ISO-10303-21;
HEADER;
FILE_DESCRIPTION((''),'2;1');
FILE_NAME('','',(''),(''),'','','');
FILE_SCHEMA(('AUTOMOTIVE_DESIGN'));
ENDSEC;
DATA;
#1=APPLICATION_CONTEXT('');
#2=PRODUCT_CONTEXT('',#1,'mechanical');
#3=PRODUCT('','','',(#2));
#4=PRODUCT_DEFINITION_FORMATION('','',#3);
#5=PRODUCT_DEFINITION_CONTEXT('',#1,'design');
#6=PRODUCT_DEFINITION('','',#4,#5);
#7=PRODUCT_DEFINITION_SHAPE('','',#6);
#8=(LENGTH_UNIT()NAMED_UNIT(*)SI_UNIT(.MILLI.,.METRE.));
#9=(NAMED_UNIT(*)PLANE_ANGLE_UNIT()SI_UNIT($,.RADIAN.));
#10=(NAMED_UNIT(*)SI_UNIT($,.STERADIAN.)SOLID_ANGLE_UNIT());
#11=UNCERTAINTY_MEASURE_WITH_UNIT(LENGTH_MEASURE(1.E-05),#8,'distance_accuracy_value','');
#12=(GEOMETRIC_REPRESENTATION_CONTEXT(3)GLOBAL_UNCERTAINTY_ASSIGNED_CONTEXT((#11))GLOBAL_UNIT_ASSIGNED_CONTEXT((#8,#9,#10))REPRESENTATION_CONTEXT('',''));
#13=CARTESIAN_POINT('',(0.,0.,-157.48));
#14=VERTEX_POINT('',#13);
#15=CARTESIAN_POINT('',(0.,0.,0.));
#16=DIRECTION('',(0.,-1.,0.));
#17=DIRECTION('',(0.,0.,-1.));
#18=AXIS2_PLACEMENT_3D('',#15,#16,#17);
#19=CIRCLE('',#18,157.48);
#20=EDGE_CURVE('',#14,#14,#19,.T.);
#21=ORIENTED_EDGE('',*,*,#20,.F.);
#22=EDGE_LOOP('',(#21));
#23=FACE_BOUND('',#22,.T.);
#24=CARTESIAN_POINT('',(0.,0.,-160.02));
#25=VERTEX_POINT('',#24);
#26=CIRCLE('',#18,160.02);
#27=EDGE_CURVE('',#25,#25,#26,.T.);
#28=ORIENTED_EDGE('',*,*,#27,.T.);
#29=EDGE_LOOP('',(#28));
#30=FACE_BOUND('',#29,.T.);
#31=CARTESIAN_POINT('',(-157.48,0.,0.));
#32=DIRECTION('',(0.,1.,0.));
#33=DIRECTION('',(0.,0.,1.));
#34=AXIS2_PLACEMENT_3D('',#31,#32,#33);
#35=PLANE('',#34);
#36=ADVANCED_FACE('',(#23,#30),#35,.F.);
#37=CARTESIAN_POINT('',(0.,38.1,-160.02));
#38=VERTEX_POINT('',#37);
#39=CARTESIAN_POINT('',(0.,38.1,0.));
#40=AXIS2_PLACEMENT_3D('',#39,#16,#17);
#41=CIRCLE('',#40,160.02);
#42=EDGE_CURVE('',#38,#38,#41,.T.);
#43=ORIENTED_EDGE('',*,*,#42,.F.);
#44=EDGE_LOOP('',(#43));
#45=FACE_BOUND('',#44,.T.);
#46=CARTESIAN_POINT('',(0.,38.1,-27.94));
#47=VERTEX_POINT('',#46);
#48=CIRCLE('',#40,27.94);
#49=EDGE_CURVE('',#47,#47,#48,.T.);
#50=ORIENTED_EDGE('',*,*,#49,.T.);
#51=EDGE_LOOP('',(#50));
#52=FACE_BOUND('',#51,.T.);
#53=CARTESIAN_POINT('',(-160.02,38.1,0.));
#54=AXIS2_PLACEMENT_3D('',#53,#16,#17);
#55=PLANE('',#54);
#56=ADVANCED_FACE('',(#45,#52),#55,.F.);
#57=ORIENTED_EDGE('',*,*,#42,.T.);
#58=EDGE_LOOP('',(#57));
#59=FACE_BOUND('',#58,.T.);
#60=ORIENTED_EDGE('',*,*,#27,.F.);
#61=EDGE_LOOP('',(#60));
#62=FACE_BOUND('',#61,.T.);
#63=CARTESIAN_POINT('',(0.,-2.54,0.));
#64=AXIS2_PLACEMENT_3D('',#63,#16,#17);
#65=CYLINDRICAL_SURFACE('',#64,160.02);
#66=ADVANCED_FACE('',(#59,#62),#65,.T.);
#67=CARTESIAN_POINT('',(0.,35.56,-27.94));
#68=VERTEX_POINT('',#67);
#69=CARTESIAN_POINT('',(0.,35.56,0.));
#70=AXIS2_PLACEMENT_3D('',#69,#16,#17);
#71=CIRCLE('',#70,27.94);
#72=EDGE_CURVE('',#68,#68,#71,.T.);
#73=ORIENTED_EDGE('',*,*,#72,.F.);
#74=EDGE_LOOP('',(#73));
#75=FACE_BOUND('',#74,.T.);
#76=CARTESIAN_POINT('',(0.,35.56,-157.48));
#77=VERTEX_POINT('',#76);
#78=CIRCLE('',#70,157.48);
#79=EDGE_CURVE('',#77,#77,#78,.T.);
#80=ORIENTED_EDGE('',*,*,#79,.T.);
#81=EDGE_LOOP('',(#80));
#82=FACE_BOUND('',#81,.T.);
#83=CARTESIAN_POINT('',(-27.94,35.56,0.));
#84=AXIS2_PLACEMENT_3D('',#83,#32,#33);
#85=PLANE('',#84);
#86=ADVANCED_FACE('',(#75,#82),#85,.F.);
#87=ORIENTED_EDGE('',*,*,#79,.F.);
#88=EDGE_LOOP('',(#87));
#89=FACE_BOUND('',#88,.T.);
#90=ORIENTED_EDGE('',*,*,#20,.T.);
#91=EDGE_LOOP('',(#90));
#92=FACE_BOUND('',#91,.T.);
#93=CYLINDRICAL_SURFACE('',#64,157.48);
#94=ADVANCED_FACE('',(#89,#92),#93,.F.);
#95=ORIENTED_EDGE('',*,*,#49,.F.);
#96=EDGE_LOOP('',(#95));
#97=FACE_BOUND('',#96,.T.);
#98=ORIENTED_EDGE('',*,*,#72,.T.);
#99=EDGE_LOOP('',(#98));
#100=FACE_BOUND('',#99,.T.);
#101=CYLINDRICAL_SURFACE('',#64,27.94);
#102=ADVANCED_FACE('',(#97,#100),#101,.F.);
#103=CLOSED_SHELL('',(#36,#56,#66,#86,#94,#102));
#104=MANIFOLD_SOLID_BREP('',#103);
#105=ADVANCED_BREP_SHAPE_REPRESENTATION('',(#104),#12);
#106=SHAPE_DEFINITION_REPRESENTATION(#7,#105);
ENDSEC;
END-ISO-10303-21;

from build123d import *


with BuildPart() as part:
    # Sketch1 → Revolve1 (revolve)
    with BuildSketch(Plane.XY, mode=Mode.PRIVATE) as revolve1_sk:
        Polygon((-160.02, 0), (-160.02, 38.1), (-27.94, 38.1), (-27.94, 35.56), (-157.48, 35.56), (-157.48, 0), align=None)
    revolve(revolve1_sk.sketch.rotate(Axis((0, -2.54, 0), (0, 1, 0)), 270), axis=Axis((0, -2.54, 0), (0, 1, 0)))


solid = part.part
